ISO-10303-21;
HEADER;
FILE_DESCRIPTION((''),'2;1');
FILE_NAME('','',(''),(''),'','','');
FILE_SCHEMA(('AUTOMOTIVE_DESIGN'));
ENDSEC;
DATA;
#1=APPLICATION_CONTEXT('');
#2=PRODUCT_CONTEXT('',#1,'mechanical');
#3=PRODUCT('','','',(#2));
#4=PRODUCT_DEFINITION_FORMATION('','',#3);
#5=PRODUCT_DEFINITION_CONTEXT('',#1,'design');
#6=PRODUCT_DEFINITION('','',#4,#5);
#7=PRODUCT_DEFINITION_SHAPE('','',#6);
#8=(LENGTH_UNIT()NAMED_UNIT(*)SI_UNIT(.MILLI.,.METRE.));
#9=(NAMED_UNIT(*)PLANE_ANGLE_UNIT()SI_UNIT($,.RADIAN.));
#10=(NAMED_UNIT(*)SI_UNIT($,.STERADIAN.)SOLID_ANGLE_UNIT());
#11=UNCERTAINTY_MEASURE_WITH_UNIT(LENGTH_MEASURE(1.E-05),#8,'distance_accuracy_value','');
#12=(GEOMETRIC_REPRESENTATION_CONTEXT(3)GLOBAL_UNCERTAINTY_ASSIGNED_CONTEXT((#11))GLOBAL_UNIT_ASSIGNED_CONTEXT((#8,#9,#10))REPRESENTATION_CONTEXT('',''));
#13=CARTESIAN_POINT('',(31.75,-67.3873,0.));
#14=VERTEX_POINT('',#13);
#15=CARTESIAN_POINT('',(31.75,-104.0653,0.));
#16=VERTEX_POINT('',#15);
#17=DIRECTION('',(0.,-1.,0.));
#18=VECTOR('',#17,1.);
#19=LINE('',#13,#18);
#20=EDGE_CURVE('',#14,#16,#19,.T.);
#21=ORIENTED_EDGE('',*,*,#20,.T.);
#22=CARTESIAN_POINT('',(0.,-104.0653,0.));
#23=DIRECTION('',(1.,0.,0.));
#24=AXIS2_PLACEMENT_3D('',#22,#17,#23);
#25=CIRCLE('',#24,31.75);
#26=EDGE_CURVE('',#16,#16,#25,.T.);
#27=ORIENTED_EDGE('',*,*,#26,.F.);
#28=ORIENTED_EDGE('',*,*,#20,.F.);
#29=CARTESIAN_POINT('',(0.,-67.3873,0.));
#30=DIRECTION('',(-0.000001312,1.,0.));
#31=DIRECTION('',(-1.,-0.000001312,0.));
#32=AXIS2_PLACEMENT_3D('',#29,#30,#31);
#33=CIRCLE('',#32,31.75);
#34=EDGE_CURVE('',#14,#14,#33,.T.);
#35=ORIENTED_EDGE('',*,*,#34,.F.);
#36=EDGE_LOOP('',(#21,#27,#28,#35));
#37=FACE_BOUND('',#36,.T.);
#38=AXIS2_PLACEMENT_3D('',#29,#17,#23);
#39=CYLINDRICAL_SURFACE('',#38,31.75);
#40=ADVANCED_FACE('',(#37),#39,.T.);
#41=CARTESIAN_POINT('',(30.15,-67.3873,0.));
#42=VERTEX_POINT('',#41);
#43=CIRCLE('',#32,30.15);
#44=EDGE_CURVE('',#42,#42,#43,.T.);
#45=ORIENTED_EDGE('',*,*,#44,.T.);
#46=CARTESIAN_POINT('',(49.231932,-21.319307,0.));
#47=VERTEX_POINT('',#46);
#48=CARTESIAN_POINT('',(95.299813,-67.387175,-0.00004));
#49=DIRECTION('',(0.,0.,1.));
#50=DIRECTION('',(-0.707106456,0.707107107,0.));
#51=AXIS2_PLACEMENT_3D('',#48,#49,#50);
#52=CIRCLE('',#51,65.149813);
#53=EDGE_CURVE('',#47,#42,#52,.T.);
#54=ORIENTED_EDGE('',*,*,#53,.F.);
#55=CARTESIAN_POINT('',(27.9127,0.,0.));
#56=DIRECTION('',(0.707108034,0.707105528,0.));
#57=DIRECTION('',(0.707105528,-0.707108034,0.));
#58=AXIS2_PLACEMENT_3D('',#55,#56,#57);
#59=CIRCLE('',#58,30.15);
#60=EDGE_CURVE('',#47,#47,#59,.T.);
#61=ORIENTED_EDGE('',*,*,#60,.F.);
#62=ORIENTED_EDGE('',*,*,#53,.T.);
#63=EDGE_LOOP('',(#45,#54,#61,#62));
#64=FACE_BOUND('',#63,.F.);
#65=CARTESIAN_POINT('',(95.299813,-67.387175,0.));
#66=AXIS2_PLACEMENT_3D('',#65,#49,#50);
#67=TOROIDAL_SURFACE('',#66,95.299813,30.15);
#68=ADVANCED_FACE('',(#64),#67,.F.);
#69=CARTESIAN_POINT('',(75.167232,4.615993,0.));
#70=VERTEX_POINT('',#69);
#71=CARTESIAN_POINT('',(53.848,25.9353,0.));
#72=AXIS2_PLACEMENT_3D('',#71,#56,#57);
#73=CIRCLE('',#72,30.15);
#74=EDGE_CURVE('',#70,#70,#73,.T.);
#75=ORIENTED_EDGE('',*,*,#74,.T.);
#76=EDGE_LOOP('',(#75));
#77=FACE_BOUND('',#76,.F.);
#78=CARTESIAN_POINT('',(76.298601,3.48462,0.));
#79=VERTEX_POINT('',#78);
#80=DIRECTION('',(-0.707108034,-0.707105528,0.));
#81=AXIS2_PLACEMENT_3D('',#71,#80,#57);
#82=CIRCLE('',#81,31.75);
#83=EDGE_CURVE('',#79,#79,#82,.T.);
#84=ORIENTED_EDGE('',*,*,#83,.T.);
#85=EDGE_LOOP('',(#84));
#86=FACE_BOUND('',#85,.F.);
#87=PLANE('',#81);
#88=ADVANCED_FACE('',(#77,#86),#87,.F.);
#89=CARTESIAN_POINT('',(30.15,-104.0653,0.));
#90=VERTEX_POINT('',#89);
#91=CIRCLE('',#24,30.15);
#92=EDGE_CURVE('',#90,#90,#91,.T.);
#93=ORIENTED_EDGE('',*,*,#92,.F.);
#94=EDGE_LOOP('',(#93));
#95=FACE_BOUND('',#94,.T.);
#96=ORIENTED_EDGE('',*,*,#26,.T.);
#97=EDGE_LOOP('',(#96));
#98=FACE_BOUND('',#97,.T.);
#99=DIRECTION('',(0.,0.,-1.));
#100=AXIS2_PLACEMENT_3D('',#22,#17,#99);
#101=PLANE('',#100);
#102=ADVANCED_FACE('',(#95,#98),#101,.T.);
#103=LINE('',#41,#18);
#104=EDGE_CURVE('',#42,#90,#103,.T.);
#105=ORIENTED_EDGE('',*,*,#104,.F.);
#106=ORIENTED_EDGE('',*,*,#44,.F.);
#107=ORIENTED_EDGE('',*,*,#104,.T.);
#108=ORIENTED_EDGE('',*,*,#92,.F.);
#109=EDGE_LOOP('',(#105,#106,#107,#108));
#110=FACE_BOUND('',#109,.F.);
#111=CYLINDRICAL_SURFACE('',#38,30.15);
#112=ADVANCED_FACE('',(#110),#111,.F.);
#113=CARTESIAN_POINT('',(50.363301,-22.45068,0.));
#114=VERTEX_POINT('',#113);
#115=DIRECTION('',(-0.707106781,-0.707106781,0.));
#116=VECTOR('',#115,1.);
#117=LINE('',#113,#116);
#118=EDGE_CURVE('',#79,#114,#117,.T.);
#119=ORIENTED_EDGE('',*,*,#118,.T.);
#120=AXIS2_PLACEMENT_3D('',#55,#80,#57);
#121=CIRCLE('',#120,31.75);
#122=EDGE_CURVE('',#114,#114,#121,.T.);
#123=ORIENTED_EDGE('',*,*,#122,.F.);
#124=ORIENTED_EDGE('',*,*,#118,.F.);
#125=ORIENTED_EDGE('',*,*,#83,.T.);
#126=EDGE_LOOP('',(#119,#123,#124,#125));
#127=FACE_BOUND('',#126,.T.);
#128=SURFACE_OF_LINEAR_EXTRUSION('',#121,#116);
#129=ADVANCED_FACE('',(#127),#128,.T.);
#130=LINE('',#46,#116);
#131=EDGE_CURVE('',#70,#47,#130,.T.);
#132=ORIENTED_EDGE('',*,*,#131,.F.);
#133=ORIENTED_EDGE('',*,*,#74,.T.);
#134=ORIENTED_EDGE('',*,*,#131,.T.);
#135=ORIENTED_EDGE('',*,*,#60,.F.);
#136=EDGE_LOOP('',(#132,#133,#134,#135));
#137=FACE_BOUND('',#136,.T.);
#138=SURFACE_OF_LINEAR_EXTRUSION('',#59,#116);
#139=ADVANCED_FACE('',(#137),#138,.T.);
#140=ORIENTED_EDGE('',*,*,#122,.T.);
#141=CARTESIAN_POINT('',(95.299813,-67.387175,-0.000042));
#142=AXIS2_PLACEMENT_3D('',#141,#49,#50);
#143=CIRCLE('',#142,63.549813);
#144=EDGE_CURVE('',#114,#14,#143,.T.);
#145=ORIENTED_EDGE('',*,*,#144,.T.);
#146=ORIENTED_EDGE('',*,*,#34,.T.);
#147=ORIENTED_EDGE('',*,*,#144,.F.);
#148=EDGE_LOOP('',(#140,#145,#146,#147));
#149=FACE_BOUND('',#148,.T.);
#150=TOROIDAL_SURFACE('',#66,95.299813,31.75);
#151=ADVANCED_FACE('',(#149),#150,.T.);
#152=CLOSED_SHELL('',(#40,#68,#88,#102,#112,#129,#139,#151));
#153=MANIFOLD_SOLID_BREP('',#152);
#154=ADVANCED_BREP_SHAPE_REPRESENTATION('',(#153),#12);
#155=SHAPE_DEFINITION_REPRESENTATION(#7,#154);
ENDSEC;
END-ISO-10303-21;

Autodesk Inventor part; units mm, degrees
ref_plane "YZ Plane" through (0, 0, 0) normal (1, 0, 0) x (0, 1, 0)
ref_plane "XZ Plane" through (0, 0, 0) normal (0, 1, 0) x (-1, 0, 0)
sketch "Szkic6" plane through (0, 0, 0) normal (0, 0, 1) x (1, 0, 0)
  line L0 (-29.6067, 0) -> (35.2678, 0) construction
  line L1 (0, 42.3419) -> (0, -58.3726) construction
  arc A0 (27.9127, 0) -> (0, -67.3873) centre (95.3, -67.3873) ccw
  line L2 (0, -67.3873) -> (95.3, -67.3873) construction
  line L3 (95.3, -67.3873) -> (48.9611, -21.0484) construction
  line L4 (27.9127, 0) -> (53.848, 25.9353)
  line L5 (0, -67.3873) -> (0, -104.0653)
  point P0 (0, 0)
  dimension "d24" = 95.3
  dimension "d31" = 45
  dimension "d36" = 36.678
  dimension "d37" = 36.678
ref_plane "Płaszczyzna konstrukcyjna2" through (0, -67.3873, 0) normal (0, -1, 0) x (1, 0, 0)
sketch "Szkic8" plane through (0, -67.3873, 0) normal (0, -1, 0) x (1, 0, 0)
  circle A0 centre (0, 0) radius 31.75
  circle A1 centre (0, 0) radius 30.15
  dimension "d32" = 63.5
  dimension "d33" = 1.6
sweep "Przeciągnięcie2" add profiles "Szkic8" path "Szkic6"
equation "\"d32\" = OD"
equation "\"d33\" = THK"
equation "\"d24\" = R"
equation "\"d31\" = KAT"
equation "\"d36\" = PROSTKA"
equation "\"d37\" = PROSTKA"
equation "\"SzerokośćGięciaPodcięcia\" = Grubość"
equation "\"RozmiarPodcięciaNarożnika\" = 4 * Grubość"
equation "\"PromieńPrzejścia\" = PromieńGięcia"
equation "\"Rozmiar_promienia_Jacobiego\" = PromieńGięcia"
equation "\"Wielk_odstępu\" = Grubość"
equation "\"d2\" = PromieńGięcia"
equation "\"d23\" = PromieńGięcia"
equation "\"R\" = 95.3"
equation "\"OD\" = 63.5"
equation "\"THK\" = 1.6"
equation "\"KAT\" = 45deg"
equation "\"PROSTKA\" = 36.678"
equation "\"Grubość\" = 1.5"
equation "\"PromieńGięcia\" = 3"
properties part number "Kolano 45° ø63,5x1,6 R95,3" material "304L"
